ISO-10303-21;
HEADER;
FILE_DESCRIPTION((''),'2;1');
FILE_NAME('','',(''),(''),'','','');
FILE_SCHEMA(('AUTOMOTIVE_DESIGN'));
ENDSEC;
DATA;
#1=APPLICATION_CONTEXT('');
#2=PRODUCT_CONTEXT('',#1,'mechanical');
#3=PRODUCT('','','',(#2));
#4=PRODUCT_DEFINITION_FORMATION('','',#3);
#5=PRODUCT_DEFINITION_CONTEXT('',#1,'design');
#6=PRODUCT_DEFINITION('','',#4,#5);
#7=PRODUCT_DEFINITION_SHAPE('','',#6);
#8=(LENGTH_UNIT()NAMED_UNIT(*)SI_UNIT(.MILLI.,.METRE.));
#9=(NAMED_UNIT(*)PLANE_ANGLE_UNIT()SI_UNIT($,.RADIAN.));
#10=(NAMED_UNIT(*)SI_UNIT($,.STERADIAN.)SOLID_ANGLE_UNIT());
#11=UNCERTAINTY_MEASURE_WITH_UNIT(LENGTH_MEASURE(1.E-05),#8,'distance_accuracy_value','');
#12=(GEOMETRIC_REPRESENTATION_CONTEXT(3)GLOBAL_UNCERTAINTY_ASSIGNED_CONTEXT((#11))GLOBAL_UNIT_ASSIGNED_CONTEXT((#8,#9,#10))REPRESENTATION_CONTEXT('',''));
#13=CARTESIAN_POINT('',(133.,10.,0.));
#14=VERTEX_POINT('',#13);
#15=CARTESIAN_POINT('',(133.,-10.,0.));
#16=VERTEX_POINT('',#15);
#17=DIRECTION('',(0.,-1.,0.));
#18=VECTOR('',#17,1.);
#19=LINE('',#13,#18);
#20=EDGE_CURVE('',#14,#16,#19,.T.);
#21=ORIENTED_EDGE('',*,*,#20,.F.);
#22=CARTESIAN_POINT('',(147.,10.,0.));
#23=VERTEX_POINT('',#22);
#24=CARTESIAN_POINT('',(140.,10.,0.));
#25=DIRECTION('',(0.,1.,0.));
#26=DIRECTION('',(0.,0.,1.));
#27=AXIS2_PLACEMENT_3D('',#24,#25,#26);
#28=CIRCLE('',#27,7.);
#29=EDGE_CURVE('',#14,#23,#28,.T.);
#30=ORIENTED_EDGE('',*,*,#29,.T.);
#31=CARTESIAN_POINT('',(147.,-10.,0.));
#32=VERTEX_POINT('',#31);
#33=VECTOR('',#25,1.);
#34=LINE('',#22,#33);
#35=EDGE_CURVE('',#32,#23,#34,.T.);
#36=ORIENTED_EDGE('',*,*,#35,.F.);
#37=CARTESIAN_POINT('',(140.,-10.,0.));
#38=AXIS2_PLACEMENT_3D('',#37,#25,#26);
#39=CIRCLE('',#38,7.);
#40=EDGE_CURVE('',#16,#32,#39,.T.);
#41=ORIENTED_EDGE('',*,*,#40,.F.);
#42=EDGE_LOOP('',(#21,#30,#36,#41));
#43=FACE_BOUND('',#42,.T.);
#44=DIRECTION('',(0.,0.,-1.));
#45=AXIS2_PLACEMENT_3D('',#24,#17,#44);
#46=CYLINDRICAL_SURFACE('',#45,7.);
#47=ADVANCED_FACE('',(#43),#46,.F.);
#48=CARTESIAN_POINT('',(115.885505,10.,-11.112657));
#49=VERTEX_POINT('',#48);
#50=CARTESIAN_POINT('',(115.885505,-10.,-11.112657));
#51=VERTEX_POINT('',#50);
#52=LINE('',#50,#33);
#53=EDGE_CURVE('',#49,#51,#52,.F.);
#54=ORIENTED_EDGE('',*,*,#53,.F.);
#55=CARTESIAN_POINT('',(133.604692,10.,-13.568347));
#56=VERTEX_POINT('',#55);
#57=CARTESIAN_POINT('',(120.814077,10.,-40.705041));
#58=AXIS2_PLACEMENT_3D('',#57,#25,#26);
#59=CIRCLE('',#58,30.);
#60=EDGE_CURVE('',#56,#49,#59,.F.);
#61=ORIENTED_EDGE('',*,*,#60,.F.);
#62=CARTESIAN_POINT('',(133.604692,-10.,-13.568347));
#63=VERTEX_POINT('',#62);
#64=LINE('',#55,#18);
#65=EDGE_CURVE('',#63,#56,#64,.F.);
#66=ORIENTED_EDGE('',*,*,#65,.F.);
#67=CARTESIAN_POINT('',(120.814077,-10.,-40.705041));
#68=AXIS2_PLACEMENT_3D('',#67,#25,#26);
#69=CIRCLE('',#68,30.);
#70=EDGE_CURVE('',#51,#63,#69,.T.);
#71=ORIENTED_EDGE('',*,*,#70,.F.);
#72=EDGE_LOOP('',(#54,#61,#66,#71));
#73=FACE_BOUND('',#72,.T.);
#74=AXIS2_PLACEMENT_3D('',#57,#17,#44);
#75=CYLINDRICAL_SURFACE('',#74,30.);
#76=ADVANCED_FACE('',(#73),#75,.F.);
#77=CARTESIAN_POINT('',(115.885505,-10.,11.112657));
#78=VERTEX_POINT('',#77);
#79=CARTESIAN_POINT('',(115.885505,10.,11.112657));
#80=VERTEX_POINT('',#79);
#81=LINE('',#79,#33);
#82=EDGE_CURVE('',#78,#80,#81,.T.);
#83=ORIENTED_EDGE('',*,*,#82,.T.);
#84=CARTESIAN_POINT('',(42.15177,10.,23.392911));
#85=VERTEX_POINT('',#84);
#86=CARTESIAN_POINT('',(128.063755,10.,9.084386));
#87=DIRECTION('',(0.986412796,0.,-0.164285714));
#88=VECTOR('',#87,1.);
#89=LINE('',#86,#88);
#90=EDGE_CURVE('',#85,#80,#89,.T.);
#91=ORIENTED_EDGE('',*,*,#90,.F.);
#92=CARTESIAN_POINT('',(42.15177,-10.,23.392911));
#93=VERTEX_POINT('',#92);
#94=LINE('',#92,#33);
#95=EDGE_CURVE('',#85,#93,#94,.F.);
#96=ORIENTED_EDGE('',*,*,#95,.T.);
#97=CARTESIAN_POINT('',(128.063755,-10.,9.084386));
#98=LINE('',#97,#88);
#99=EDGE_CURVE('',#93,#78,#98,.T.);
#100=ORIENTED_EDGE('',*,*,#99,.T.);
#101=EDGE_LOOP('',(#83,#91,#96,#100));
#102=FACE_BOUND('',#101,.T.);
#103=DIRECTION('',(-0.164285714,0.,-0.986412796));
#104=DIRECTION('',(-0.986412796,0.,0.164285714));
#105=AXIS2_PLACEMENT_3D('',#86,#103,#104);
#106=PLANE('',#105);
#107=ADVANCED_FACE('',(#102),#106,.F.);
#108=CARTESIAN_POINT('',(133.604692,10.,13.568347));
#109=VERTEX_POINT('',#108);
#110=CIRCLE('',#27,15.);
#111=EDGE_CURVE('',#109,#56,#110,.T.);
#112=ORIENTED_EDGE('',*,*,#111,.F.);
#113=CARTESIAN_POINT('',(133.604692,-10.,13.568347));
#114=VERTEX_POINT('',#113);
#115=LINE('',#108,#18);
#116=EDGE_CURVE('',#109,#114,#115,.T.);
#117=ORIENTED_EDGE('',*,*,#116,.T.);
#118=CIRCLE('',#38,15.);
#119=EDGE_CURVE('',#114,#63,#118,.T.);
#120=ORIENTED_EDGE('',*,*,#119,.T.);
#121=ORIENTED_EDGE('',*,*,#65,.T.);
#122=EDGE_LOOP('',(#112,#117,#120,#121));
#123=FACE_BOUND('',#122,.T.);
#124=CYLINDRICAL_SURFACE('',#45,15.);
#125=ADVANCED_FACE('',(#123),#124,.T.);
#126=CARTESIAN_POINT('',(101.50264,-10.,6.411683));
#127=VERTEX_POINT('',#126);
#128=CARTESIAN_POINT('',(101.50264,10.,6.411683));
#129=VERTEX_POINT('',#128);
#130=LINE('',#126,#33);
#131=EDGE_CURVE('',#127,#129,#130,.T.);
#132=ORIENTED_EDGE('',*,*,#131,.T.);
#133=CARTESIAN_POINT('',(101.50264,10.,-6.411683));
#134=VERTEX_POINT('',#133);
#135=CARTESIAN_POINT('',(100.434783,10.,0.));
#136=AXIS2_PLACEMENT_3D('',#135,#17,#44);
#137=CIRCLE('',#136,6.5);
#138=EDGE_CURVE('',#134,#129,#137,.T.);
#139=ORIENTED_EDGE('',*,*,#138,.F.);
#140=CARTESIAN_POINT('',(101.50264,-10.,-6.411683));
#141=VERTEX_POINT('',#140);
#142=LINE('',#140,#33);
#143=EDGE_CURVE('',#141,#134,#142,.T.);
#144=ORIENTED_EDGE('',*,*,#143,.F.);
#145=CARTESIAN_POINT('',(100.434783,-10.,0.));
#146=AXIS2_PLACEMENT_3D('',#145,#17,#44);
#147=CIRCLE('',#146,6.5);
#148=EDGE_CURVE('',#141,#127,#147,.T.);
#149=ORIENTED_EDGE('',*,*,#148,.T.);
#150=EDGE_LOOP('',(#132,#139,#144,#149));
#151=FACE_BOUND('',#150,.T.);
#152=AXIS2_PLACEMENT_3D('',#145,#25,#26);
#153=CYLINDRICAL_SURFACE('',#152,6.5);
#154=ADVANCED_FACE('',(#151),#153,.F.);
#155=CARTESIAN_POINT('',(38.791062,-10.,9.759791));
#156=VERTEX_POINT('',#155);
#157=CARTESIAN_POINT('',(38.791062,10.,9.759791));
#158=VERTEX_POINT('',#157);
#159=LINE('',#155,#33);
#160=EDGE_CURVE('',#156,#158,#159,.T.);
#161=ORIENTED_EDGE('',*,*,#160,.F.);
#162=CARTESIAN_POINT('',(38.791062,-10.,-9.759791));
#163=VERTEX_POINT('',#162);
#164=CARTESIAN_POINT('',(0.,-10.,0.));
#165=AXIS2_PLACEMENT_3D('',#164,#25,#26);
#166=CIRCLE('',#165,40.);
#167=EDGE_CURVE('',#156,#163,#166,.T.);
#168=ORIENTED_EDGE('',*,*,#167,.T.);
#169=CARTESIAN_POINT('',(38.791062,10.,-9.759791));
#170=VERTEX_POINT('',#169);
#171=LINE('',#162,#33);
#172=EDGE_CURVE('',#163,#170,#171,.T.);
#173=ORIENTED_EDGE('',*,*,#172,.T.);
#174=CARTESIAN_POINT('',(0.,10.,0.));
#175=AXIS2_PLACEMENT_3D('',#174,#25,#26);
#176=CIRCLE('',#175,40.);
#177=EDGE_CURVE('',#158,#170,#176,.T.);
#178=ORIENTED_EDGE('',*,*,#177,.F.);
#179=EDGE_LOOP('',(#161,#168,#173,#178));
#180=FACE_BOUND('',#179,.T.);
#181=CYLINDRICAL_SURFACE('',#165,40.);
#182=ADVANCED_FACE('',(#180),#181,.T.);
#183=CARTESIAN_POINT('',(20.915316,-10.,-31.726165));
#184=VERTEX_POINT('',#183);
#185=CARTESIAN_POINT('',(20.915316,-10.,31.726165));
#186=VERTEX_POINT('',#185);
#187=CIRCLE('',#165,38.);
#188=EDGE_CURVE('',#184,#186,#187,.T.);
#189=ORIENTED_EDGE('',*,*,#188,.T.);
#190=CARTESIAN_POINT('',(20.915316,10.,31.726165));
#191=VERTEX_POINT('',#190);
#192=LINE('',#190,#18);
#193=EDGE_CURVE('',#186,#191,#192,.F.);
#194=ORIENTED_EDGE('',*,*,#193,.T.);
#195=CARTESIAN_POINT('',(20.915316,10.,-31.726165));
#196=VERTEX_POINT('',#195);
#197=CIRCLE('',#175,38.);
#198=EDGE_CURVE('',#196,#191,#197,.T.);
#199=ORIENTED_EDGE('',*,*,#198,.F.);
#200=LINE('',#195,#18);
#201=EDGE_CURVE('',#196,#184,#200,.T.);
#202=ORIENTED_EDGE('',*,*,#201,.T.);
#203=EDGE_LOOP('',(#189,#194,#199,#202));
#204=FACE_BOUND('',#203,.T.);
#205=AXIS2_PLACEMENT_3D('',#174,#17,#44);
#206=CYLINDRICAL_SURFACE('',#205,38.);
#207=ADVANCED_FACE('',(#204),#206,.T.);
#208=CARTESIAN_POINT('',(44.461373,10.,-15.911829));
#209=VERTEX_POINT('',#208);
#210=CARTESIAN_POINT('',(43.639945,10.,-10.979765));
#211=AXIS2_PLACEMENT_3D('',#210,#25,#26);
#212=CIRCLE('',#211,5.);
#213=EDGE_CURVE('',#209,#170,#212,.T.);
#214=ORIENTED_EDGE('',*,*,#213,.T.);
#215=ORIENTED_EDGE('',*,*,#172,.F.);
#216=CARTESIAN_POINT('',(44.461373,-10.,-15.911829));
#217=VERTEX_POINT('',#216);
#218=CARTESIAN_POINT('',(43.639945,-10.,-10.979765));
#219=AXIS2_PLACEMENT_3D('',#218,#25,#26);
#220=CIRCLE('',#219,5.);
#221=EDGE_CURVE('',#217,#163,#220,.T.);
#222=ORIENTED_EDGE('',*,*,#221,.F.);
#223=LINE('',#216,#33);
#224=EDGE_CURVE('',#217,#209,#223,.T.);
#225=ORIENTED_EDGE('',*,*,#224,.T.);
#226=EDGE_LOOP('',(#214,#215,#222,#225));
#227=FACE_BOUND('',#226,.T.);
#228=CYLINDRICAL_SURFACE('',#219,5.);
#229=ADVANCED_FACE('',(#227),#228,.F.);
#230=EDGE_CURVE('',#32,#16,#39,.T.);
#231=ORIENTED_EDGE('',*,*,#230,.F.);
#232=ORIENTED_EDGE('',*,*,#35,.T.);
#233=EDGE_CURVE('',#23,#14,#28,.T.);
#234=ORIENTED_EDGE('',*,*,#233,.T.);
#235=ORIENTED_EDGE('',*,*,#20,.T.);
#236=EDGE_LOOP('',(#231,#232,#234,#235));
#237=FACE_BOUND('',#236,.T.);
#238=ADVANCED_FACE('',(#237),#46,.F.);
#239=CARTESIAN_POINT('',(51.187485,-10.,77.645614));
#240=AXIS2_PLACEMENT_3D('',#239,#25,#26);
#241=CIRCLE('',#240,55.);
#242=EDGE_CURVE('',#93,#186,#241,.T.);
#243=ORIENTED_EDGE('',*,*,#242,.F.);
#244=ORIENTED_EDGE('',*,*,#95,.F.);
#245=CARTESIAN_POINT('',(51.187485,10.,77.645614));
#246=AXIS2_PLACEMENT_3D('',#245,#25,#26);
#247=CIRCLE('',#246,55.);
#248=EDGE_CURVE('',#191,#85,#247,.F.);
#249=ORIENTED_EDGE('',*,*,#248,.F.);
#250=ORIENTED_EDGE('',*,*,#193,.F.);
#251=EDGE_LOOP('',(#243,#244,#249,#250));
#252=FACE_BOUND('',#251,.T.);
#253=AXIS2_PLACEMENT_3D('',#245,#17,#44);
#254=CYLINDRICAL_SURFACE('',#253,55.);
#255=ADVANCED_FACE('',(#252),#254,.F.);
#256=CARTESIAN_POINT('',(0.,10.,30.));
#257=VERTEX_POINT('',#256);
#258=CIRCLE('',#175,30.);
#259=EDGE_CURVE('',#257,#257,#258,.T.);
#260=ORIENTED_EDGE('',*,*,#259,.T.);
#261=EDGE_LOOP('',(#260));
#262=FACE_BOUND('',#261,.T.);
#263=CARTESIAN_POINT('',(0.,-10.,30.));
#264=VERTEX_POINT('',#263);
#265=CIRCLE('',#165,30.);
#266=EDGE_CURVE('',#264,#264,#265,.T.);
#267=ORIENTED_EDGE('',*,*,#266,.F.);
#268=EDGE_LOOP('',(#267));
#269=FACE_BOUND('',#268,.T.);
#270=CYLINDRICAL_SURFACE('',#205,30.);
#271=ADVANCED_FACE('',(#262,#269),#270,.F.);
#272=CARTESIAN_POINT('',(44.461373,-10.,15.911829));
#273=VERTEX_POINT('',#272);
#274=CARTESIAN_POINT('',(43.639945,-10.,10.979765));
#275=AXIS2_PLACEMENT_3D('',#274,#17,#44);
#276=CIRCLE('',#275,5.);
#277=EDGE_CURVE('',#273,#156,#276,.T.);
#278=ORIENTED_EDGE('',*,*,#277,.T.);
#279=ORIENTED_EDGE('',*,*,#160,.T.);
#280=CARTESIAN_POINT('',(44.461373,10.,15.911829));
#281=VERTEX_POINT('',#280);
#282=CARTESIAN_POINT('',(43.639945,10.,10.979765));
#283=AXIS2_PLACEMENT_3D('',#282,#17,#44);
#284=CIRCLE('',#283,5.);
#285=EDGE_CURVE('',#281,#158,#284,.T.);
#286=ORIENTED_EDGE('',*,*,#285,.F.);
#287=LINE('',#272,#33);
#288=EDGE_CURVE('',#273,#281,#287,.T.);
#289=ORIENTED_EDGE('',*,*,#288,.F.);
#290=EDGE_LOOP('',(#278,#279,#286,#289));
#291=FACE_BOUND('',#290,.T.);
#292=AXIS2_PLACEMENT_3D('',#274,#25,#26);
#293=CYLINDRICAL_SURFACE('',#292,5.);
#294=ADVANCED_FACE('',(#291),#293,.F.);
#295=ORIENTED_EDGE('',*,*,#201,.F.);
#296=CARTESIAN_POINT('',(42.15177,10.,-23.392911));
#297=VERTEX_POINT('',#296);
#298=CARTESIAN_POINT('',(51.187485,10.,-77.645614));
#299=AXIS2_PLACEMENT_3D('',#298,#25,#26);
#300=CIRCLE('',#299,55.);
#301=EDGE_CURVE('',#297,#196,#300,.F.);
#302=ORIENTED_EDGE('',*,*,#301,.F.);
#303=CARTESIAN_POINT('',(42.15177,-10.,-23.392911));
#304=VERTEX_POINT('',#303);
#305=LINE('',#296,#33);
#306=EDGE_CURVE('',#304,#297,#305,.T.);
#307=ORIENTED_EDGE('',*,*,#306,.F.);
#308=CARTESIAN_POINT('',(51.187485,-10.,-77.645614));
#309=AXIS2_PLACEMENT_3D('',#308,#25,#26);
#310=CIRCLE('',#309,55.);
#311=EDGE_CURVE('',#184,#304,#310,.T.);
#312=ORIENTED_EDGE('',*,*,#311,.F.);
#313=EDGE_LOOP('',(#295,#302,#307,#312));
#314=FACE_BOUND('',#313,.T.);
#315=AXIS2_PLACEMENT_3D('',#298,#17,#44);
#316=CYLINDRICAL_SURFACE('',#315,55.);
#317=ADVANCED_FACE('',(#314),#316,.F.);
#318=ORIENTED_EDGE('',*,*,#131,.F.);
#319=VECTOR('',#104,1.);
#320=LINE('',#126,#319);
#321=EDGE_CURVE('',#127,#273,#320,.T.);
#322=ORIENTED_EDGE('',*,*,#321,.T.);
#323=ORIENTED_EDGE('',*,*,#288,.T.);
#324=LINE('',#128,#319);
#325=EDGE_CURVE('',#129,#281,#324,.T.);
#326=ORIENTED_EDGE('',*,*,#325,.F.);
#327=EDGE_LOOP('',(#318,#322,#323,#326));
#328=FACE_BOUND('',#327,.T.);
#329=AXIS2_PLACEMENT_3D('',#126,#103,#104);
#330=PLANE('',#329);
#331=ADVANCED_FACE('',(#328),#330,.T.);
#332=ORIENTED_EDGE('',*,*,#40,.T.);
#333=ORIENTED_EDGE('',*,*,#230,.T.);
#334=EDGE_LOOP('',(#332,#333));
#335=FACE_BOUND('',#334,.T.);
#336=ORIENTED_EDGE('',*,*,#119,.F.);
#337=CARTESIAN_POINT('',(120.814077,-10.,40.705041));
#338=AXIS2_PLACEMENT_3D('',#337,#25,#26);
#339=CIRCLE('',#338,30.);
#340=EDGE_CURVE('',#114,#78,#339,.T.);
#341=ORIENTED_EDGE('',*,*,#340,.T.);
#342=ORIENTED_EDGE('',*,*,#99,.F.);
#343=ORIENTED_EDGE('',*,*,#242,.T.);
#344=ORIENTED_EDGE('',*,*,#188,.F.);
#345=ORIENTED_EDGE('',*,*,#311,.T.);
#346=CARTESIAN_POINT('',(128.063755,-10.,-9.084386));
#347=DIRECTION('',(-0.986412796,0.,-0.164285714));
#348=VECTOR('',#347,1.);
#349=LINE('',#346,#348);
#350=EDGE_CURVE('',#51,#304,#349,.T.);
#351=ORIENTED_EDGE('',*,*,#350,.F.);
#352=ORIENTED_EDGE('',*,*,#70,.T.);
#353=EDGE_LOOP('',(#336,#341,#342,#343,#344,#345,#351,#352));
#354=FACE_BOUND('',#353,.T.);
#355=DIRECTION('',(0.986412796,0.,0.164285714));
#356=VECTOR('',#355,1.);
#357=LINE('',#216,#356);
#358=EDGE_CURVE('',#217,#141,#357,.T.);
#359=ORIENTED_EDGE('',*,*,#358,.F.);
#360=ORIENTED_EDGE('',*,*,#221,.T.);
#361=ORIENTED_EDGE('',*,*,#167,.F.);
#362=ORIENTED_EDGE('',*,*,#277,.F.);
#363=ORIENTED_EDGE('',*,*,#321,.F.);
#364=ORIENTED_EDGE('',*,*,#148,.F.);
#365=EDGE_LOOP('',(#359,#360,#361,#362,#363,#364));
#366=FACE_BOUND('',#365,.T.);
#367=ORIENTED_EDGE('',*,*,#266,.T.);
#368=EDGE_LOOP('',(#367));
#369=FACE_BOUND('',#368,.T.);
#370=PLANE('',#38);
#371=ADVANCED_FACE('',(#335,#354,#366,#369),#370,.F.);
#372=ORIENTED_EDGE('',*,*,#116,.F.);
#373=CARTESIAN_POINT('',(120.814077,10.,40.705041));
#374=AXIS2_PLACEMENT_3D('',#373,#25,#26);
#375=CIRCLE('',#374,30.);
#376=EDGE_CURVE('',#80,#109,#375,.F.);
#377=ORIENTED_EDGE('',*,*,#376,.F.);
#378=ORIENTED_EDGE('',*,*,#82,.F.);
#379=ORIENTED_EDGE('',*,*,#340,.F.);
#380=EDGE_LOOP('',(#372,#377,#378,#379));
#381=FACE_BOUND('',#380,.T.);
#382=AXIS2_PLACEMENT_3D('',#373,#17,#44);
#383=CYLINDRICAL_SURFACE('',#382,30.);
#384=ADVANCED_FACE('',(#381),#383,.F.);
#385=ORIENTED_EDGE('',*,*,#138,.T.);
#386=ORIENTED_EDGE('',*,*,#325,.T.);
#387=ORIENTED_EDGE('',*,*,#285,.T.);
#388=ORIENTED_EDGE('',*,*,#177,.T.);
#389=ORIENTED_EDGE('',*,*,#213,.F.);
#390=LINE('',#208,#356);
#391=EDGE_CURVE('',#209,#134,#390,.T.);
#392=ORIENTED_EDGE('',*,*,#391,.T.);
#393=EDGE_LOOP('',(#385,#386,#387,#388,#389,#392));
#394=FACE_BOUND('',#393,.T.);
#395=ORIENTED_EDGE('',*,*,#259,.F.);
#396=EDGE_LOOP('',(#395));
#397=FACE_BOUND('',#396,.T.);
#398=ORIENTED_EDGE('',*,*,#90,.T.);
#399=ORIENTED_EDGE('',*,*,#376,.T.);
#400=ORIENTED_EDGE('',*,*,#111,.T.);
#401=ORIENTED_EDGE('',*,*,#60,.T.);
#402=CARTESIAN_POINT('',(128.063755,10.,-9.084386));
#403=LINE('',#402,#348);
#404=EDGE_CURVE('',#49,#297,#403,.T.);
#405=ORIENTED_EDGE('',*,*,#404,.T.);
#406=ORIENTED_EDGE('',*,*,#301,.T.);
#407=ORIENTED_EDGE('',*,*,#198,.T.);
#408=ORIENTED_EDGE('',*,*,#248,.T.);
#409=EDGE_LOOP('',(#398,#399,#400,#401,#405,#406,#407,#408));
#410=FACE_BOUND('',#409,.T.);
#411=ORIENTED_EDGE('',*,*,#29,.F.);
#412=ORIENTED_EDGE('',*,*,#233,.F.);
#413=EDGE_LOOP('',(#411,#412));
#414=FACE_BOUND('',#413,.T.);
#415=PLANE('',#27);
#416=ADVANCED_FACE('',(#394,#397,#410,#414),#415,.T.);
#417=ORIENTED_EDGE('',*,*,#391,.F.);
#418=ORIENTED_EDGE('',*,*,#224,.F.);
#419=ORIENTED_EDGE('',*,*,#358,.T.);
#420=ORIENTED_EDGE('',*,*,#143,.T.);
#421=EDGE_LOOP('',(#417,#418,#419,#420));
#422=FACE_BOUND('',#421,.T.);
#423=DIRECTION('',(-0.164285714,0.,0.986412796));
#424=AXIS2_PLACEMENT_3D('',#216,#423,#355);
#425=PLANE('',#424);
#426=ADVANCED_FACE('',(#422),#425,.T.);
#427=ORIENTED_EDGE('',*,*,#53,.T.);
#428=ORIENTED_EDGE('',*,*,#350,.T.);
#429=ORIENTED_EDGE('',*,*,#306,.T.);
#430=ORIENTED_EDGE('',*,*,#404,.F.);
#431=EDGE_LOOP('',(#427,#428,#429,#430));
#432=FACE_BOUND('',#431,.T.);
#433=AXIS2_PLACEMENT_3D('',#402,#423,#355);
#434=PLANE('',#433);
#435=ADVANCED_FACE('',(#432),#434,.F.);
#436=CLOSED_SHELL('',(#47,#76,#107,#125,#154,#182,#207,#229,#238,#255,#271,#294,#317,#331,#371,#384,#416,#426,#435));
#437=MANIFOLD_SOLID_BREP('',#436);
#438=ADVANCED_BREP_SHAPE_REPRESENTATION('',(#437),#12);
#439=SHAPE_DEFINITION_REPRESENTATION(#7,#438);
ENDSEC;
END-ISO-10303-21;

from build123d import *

# Parameters (mm, degrees)
SKETCH1_R           = 30
SKETCH1_R_2         = 7
BOSS_EXTRUDE1_DEPTH = 10
CUT_EXTRUDE1_DEPTH  = 21
FILLET1_R           = 30
FILLET2_R           = 55


with BuildPart() as part:
    # Sketch1 → Boss-Extrude1 (new body, symmetric)
    with BuildSketch(Plane(origin=(0, 0, 0), x_dir=(1, 0, 0), z_dir=(0, 1, 0))):
        with BuildLine():
            Line((128.063755469, 9.084385863), (27.935473676, 25.760615491))
            ThreePointArc((27.935473676, 25.760615491), (-38, 0), (27.935473676, -25.760615491))
            Line((27.935473676, -25.760615491), (128.063755469, -9.084385863))
            ThreePointArc((128.063755469, -9.084385863), (155, 0), (128.063755469, 9.084385863))
        make_face()
        Circle(SKETCH1_R, mode=Mode.SUBTRACT)
        with Locations((140, 0)):
            Circle(SKETCH1_R_2, mode=Mode.SUBTRACT)
    extrude(amount=BOSS_EXTRUDE1_DEPTH, both=True)

    # Sketch2 → Cut-Extrude1 (cut, through all)
    with BuildSketch(Plane(origin=(0, 10, 0), x_dir=(1, 0, 0), z_dir=(0, 1, 0))):
        with BuildLine():
            Line((44.461373165, 15.911828816), (101.502639752, 6.411683174))
            ThreePointArc((101.502639752, 6.411683174), (106.934782609, 0), (101.502639752, -6.411683174))
            Line((101.502639752, -6.411683174), (44.461373165, -15.911828816))
            ThreePointArc((44.461373165, -15.911828816), (39.963398771, -14.368423983), (38.791061861, -9.759790965))
            ThreePointArc((38.791061861, -9.759790965), (40, 0), (38.791061861, 9.759790965))
            ThreePointArc((38.791061861, 9.759790965), (39.963398771, 14.368423983), (44.461373165, 15.911828816))
        make_face()
    extrude(amount=-CUT_EXTRUDE1_DEPTH, mode=Mode.SUBTRACT)

    # Fillet1
    fillet1_edges = [part.edges().sort_by_distance(p)[0] for p in [
        (128.063755469, 0, 9.084385863),
        (128.063755469, 0, -9.084385863),
    ]]
    fillet(fillet1_edges, radius=FILLET1_R)

    # Fillet2
    fillet2_edges = [part.edges().sort_by_distance(p)[0] for p in [
        (27.935473676, 0, 25.760615491),
        (27.935473676, 0, -25.760615491),
    ]]
    fillet(fillet2_edges, radius=FILLET2_R)


solid = part.part
